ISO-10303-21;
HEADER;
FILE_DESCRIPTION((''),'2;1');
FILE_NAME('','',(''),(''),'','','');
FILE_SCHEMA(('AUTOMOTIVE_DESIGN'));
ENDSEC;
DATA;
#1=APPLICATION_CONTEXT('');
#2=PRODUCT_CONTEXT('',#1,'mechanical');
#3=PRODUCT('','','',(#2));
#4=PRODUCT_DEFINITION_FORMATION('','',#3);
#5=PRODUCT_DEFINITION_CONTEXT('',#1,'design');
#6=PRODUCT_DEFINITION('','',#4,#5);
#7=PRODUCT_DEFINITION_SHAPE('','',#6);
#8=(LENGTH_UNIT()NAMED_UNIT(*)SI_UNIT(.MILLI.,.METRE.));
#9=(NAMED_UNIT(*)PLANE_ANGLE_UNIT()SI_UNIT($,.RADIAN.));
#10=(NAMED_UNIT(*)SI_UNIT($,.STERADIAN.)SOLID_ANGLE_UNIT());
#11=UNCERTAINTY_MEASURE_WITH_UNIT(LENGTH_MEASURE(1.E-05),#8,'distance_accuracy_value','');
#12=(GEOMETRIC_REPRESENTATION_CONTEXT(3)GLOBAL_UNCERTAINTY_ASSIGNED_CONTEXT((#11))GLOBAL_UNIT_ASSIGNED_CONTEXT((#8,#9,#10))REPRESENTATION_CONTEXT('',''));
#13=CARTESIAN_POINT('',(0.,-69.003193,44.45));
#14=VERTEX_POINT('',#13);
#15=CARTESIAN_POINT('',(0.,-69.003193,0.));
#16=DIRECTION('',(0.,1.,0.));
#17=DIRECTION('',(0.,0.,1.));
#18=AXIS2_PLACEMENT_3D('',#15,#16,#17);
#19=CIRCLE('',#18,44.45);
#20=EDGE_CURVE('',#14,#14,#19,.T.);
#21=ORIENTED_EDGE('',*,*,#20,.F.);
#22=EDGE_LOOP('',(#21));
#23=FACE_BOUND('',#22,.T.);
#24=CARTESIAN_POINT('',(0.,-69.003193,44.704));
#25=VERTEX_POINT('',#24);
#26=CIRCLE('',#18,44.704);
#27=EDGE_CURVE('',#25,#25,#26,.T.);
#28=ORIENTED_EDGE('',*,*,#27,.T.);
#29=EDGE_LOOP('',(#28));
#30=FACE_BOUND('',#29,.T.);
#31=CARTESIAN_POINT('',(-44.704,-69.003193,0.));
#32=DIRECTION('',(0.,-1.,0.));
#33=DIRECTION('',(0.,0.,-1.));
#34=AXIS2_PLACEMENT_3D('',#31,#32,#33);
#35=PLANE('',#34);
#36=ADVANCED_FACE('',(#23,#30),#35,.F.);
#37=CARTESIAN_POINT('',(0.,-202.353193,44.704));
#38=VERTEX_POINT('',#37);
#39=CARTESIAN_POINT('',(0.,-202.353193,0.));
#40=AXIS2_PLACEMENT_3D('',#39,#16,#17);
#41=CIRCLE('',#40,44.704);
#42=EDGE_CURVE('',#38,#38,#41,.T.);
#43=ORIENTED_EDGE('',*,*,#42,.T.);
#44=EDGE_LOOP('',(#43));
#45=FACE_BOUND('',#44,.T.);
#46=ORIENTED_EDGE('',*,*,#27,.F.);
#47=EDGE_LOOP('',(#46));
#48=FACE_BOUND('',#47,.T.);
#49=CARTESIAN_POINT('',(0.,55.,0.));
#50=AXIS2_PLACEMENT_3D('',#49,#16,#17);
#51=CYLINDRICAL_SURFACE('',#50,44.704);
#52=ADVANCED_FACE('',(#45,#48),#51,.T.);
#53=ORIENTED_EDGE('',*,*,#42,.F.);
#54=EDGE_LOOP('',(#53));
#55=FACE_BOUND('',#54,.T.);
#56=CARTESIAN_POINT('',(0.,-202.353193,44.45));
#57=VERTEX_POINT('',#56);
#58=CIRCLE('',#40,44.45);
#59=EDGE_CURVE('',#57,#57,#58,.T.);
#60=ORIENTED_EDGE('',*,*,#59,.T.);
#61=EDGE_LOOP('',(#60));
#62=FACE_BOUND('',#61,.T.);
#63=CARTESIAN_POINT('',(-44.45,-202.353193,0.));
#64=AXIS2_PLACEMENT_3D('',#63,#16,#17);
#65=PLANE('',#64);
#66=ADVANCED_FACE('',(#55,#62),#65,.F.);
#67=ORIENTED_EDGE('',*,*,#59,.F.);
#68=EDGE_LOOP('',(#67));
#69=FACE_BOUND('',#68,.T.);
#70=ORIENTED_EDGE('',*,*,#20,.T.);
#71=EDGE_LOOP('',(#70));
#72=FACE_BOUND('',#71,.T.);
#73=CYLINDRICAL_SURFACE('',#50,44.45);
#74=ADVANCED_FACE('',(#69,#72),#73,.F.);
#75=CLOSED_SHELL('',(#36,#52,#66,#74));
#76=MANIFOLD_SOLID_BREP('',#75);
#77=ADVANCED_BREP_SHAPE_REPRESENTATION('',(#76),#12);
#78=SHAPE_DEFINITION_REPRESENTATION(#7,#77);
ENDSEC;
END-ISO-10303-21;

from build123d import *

# Parameters (mm, degrees)
SKETCH1_W = 0.254
SKETCH1_H = 133.35


with BuildPart() as part:
    # Sketch1 → Revolve-Thin1 (revolve)
    with BuildSketch(Plane.XY):
        with Locations((-44.577, -135.67819341)):
            Rectangle(SKETCH1_W, SKETCH1_H)
    revolve(axis=Axis((0, 55, 0), (0, -1, 0)))


solid = part.part
